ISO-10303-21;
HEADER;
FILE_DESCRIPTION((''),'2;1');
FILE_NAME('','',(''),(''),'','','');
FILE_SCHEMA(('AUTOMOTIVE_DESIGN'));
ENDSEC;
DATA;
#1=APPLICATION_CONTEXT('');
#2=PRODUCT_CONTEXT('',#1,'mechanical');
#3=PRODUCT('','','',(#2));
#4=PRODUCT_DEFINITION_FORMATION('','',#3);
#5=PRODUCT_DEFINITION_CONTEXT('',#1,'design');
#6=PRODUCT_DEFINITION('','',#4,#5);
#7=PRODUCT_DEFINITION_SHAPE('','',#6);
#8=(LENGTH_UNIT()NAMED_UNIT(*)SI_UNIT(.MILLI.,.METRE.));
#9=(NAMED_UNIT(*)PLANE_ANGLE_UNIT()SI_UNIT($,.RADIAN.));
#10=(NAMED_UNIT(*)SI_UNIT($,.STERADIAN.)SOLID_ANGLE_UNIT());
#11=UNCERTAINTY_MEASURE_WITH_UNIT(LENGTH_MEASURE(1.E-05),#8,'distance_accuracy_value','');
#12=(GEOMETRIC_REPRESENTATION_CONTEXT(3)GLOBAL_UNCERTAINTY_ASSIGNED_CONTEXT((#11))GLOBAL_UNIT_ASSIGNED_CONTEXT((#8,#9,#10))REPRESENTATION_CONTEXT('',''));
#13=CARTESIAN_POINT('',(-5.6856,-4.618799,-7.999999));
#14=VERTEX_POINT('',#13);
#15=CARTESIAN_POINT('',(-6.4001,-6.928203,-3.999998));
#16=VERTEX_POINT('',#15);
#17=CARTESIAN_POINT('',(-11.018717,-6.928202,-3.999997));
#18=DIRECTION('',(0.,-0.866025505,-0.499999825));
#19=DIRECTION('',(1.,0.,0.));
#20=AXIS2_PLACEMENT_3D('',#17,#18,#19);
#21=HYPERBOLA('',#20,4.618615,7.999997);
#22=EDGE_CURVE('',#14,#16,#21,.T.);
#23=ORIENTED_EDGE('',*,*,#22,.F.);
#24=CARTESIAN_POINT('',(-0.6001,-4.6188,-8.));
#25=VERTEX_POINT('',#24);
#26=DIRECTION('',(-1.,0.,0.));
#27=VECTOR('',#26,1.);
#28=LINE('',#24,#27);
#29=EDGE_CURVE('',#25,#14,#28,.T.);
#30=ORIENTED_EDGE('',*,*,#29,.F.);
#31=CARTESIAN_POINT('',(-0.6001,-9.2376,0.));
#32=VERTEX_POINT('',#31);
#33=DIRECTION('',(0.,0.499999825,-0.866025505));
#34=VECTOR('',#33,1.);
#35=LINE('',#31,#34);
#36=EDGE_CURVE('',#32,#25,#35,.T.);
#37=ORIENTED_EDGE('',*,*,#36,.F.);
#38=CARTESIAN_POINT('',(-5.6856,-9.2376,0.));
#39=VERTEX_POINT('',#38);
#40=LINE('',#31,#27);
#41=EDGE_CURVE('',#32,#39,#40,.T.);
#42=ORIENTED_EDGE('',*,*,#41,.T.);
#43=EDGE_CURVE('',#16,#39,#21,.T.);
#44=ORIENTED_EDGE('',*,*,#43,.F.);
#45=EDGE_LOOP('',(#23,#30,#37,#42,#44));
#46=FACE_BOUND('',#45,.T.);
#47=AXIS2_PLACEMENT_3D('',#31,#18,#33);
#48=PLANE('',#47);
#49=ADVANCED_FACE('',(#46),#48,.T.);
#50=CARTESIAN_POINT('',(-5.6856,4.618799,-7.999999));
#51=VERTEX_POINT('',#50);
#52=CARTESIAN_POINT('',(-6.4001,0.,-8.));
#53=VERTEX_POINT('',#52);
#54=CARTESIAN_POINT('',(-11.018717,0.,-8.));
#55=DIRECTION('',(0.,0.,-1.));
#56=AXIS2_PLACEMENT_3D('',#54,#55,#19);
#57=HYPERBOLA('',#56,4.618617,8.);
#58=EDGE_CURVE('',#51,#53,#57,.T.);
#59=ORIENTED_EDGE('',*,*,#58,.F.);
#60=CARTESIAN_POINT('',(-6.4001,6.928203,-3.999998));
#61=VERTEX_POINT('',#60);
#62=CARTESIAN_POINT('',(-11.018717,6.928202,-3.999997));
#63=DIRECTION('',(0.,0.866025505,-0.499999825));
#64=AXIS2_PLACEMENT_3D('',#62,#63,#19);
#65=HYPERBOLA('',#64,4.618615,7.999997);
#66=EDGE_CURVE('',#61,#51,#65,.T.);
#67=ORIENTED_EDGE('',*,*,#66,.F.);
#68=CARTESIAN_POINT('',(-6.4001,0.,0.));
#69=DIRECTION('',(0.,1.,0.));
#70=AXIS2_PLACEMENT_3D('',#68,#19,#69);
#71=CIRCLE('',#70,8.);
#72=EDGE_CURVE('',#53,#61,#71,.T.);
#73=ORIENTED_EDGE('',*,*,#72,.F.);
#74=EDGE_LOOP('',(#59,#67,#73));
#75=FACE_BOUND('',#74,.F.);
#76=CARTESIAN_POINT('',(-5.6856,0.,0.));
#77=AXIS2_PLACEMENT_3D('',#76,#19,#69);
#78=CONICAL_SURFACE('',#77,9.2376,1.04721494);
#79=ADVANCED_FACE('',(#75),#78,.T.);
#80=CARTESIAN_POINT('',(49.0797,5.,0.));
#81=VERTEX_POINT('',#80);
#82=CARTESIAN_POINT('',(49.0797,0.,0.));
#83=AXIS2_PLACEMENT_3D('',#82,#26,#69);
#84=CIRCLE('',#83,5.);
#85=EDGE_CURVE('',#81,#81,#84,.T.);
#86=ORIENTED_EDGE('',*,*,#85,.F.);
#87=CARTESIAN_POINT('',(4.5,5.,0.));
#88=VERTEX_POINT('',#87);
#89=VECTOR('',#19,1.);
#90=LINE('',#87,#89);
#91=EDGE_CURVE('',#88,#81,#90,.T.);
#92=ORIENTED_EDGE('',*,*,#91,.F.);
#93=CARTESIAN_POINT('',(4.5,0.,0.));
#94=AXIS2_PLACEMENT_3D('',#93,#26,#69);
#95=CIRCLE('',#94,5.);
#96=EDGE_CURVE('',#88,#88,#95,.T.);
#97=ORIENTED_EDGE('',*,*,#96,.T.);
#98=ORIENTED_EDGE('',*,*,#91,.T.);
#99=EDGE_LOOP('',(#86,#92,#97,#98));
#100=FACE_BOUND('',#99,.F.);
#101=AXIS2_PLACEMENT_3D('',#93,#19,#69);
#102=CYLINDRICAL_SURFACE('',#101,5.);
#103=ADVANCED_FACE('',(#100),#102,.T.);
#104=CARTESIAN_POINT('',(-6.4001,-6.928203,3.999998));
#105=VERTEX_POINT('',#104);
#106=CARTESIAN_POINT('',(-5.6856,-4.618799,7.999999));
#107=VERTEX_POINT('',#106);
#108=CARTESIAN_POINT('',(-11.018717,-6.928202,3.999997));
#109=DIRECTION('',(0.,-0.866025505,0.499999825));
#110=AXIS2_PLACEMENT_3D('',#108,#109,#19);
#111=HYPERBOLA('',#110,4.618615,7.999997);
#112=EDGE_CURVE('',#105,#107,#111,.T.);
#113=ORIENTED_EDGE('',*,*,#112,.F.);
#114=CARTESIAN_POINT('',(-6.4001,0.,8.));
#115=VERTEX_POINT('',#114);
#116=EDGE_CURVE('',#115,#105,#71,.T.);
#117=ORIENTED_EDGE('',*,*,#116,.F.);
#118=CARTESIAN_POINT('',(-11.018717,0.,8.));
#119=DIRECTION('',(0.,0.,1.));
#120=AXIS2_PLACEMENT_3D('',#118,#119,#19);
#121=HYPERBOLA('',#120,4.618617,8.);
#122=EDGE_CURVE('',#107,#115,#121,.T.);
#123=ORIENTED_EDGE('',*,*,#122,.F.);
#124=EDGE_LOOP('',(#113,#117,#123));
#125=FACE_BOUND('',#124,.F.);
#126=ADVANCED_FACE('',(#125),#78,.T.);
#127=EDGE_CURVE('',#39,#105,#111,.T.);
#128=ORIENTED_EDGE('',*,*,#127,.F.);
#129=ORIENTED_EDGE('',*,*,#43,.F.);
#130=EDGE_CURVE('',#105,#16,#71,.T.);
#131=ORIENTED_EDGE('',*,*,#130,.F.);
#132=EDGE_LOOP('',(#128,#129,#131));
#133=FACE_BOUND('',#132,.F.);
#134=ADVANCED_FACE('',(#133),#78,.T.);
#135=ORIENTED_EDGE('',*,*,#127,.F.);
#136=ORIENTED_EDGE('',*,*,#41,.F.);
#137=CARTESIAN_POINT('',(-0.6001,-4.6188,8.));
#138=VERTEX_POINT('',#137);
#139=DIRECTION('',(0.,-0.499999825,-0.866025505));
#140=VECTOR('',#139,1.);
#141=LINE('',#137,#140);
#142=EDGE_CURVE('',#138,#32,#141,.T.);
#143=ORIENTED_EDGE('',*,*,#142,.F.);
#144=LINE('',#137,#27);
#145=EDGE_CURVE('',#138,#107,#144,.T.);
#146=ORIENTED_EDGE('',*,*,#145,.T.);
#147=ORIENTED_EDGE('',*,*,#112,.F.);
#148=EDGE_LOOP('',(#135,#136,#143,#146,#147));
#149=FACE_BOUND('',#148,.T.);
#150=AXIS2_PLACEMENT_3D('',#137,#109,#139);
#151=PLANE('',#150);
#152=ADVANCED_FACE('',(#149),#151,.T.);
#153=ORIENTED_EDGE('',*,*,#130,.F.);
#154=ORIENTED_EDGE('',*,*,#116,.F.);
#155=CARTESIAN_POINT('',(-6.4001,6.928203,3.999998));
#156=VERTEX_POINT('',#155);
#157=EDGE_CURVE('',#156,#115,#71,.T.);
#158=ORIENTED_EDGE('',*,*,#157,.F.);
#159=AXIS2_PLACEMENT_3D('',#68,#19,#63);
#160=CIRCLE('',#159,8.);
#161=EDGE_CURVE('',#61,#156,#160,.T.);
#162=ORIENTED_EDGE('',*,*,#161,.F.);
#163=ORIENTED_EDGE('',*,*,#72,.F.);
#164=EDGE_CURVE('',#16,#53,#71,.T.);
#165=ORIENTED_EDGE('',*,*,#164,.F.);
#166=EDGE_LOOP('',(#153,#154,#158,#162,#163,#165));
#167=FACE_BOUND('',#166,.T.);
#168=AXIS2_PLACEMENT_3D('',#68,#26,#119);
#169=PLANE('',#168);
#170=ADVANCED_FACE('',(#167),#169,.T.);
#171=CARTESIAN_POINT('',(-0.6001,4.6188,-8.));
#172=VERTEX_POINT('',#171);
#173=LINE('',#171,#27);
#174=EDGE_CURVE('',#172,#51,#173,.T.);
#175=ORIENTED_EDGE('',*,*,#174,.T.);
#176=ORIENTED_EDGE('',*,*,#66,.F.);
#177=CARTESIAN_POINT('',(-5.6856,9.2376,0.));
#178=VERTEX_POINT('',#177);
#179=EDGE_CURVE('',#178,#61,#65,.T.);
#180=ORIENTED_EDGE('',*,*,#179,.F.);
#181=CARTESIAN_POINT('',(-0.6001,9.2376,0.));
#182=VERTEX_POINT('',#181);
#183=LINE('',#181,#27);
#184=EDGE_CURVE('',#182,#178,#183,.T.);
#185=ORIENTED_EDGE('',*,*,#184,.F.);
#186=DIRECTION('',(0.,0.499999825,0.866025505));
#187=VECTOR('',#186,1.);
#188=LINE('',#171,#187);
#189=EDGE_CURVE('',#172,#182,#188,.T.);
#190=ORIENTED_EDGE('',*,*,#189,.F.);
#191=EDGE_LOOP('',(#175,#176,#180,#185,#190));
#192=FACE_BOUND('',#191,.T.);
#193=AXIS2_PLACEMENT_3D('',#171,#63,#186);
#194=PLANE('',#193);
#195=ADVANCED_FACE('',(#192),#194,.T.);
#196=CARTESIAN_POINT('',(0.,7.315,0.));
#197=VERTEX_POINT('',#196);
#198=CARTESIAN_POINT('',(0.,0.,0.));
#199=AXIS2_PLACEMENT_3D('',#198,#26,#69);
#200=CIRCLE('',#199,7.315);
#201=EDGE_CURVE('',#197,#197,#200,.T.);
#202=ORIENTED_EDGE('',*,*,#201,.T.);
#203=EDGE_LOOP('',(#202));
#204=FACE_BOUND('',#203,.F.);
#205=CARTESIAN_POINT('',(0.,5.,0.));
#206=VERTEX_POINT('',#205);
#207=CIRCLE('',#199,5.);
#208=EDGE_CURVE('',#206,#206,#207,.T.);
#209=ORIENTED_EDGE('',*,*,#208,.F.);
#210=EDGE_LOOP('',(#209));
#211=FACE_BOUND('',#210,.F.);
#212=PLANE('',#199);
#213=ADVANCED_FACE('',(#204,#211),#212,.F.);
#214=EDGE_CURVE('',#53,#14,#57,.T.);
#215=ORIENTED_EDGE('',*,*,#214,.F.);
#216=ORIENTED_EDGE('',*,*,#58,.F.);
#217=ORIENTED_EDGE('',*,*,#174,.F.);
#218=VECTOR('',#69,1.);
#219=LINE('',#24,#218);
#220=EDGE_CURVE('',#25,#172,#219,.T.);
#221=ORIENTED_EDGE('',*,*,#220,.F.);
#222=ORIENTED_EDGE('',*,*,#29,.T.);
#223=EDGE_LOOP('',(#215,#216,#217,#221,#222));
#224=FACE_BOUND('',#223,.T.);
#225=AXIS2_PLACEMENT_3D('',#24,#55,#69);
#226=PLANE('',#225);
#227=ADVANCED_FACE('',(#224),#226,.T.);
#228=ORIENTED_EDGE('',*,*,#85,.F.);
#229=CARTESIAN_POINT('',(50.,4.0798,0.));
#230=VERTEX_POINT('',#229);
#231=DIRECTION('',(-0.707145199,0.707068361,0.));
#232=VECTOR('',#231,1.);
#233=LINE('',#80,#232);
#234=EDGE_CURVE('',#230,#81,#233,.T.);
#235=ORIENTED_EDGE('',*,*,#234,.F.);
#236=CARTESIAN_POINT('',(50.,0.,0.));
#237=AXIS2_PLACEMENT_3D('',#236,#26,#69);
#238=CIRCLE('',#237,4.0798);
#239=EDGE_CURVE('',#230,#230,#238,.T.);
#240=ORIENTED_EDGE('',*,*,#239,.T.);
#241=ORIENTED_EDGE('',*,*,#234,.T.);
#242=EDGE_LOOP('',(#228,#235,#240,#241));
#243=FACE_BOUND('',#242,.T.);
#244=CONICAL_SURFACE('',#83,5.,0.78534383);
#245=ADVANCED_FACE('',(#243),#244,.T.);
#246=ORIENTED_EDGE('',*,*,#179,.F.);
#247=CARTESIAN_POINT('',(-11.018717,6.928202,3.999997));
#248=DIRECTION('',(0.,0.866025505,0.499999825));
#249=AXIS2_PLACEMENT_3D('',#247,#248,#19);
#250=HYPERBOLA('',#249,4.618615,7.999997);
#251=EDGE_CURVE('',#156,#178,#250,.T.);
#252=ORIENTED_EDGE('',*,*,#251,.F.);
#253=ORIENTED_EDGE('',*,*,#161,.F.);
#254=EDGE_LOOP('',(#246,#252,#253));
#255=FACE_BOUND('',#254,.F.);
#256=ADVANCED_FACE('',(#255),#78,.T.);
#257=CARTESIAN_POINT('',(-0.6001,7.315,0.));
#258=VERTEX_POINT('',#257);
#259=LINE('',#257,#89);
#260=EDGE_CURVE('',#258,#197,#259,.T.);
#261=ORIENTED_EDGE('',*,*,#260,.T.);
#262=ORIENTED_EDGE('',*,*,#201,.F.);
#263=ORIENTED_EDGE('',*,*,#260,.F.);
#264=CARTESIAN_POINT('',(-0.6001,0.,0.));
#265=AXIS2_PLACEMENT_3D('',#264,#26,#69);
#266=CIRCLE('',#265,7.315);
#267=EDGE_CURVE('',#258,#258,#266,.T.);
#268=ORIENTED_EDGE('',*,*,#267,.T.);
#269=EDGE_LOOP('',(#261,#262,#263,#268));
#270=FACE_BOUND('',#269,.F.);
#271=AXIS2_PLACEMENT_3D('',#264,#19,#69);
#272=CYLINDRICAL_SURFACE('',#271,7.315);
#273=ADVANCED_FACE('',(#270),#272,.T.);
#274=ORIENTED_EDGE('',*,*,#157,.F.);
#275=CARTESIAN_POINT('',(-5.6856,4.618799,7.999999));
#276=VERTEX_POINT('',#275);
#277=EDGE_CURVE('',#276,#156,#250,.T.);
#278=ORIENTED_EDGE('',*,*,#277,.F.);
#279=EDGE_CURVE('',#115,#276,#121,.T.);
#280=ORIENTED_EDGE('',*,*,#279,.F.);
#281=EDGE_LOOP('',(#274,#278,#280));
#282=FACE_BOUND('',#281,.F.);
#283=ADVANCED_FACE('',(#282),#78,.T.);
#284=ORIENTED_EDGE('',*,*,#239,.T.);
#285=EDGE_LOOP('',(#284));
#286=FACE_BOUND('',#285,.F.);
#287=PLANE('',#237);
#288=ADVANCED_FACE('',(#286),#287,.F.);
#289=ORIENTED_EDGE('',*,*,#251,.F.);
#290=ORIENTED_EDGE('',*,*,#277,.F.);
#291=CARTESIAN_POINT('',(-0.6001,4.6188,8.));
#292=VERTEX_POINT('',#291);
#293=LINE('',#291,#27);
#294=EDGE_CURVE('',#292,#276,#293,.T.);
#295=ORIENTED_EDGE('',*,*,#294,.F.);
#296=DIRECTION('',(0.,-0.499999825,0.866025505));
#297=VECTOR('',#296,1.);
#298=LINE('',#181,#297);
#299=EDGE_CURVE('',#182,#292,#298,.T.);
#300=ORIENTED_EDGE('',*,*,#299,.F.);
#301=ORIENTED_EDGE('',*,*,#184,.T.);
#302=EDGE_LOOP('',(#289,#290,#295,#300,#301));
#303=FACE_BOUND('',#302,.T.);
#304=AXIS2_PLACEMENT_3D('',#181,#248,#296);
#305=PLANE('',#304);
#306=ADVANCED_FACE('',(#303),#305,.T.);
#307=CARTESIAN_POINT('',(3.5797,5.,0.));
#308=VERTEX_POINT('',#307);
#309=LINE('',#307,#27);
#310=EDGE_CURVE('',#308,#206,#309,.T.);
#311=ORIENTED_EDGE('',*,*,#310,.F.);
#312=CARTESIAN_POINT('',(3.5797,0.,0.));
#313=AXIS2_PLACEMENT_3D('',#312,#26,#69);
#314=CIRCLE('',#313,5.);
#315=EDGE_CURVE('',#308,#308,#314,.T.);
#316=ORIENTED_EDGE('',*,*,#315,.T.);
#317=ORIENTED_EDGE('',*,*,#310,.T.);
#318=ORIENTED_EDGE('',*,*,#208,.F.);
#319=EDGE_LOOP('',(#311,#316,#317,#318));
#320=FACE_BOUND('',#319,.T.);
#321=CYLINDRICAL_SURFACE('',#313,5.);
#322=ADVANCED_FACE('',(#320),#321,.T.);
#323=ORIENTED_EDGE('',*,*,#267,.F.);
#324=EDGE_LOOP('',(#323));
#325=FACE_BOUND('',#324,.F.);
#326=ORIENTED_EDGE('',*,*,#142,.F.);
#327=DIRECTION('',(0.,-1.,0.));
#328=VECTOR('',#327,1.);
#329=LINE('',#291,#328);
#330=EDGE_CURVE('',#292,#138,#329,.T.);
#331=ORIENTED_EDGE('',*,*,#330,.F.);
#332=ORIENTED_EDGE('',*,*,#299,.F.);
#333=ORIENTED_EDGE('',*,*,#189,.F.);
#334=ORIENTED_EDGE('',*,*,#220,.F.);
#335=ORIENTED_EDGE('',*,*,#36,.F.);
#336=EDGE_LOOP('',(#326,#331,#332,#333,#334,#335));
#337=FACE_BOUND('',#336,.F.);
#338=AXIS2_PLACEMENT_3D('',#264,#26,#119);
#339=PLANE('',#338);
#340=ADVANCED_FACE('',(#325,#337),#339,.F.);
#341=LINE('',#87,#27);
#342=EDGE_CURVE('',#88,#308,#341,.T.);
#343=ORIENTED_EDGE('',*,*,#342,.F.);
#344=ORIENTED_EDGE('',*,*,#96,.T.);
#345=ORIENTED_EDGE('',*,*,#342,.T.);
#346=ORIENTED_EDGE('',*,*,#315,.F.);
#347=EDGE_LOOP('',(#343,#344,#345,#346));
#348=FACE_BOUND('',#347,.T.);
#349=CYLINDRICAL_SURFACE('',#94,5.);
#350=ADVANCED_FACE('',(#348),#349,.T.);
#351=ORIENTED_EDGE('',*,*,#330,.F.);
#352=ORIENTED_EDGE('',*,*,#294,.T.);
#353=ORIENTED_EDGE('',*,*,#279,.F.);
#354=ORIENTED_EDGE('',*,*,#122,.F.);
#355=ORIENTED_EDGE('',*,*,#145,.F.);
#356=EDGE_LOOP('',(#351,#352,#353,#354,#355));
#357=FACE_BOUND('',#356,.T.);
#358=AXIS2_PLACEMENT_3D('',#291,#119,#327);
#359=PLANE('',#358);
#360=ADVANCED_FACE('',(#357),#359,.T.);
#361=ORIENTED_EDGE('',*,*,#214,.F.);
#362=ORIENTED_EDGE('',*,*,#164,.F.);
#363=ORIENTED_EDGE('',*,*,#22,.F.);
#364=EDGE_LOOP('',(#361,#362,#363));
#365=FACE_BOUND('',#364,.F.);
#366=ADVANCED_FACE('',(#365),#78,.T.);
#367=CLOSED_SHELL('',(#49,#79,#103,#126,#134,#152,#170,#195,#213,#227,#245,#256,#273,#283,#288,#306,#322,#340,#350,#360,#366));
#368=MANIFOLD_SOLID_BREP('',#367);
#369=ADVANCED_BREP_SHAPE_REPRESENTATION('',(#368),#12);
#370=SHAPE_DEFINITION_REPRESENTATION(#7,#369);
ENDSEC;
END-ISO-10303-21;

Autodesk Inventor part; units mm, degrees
ref_plane "YZ Plane" through (0, 0, 0) normal (1, 0, 0) x (0, 1, 0)
ref_plane "XZ Plane" through (0, 0, 0) normal (0, 1, 0) x (-1, 0, 0)
sketch "Sketch1" plane through (0, 0, 0) normal (0, 0, 1) x (1, 0, 0)
  line L0 (0, 7.315) -> (0, 5)
  line L1 (4.5, 5) -> (50, 5)
  line L2 (50, 5) -> (50, 0)
  line L3 (50, 0) -> (-0.6001, 0)
  line L4 (-10.7201, 0) -> (60.12, 0) projected
  line L5 (-0.6001, 0) -> (-0.6001, 7.315)
  line L6 (-0.6001, 7.315) -> (0, 7.315)
  line L7 (4.5, 5) -> (3.5797, 5)
  line L8 (3.5797, 5) -> (0, 5)
  line L9 (0, -1.463) -> (0, 8.778) projected
  dimension "d0" = 50
  dimension "d1" = 45.5
  dimension "d2" = 10
  dimension "d9" = 0.6001
  dimension "d10" = 14.63
  dimension "d13" = 0.9203
  dimension "d14" = 10
revolve "Body" add sketch "Sketch1" angle 360 about axis through (50, 0, 0) along (-1, 0, 0)
sketch "Sketch2" plane through (-0.6001, 0, 0) normal (-1, 0, 0) x (0, 0, 1)
  line L0 (0, 9.2376) -> (8, 4.6188)
  line L1 (8, 4.6188) -> (8, -4.6188)
  line L2 (8, -4.6188) -> (0, -9.2376)
  line L3 (0, -9.2376) -> (-8, -4.6188)
  line L4 (-8, -4.6188) -> (-8, 4.6188)
  line L5 (-8, 4.6188) -> (0, 9.2376)
  point P0 (0, 0)
  point P1 (0, 0)
  dimension "d11" = 16
extrude "Head" add sketch "Sketch2" along normal blind 5.8
sketch "Sketch4" plane through (0, 0, 0) normal (0, 0, 1) x (1, 0, 0)
  line L0 (-6.4001, 8) -> (-6.4001, 9.2376)
  line L1 (-6.4001, 9.2376) -> (-5.6856, 9.2376)
  line L2 (-5.6856, 9.2376) -> (-6.4001, 8)
  line L3 (-7.5601, 0) -> (0.5599, 0) projected
  line L4 (-0.6001, 9.2376) -> (-6.4001, 9.2376) projected
  line L5 (-6.4001, 4.6188) -> (-6.4001, 9.2376) projected
  dimension "d5" = 30
  dimension "d19" = 16
revolve "Chamfer1" cut sketch "Sketch4" angle 360 about axis through (-10, 0, 0) along (1, 0, 0)
thread "Thread" size "M10x1.5" class "6g" standard "ISO Metric profile" length 45.5
chamfer "Chamfer2" distance 0.9202 distance2 0.9203 1 edges at (50, -5, 0) measured on face at (50, -1.8775, 0.7745)
ref_plane "Work Plane1" through (1.525, 0, 0) normal (0, 0, 1) x (1, 0, 0)
equation "\"d0\" = NLG"
equation "\"d1\" = GEL"
equation "\"d2\" = GD"
equation "\"d10\" = SD2"
equation "\"d14\" = BDM"
equation "\"d11\" = SW"
equation "\"d3\" = KOH - SD"
equation "\"d5\" = ANG1"
equation "\"d19\" = SW0"
equation "\"d15\" = GEL"
equation "\"d6\" = -0.5 * SPD + 0.5 * GD"
equation "\"NLG\" = 50"
equation "\"GD\" = NND"
equation "\"BDM\" = NND"
equation "\"KOH\" = 6.4"
equation "\"GEL\" = 45.5"
equation "\"SW\" = 16"
equation "\"SW0\" = SW"
equation "\"SPD\" = NND - 1.2269 * PTC"
equation "\"SD2\" = 14.63"
equation "\"SD\" = 0.6"
equation "\"ANG1\" = 30deg"
equation "\"GAL\" = 0.61345 * PTC"
equation "\"GUL\" = 0.61345 * PTC"
equation "\"RR\" = 0.4"
equation "\"GD1\" = THREADDIA - 1.2269 * PTC"
equation "\"SDH\" = SD2"
equation "\"SDHG\" = 4.5"
equation "\"TOA\" = 30deg"
equation "\"PTC\" = 1.5"
equation "\"E0\" = 18.48"
equation "\"NND\" = 10"
equation "\"THREADDIA\" = 10"
properties part number "ISO 4017 - M10 x 50" material "Steel, Mild"
